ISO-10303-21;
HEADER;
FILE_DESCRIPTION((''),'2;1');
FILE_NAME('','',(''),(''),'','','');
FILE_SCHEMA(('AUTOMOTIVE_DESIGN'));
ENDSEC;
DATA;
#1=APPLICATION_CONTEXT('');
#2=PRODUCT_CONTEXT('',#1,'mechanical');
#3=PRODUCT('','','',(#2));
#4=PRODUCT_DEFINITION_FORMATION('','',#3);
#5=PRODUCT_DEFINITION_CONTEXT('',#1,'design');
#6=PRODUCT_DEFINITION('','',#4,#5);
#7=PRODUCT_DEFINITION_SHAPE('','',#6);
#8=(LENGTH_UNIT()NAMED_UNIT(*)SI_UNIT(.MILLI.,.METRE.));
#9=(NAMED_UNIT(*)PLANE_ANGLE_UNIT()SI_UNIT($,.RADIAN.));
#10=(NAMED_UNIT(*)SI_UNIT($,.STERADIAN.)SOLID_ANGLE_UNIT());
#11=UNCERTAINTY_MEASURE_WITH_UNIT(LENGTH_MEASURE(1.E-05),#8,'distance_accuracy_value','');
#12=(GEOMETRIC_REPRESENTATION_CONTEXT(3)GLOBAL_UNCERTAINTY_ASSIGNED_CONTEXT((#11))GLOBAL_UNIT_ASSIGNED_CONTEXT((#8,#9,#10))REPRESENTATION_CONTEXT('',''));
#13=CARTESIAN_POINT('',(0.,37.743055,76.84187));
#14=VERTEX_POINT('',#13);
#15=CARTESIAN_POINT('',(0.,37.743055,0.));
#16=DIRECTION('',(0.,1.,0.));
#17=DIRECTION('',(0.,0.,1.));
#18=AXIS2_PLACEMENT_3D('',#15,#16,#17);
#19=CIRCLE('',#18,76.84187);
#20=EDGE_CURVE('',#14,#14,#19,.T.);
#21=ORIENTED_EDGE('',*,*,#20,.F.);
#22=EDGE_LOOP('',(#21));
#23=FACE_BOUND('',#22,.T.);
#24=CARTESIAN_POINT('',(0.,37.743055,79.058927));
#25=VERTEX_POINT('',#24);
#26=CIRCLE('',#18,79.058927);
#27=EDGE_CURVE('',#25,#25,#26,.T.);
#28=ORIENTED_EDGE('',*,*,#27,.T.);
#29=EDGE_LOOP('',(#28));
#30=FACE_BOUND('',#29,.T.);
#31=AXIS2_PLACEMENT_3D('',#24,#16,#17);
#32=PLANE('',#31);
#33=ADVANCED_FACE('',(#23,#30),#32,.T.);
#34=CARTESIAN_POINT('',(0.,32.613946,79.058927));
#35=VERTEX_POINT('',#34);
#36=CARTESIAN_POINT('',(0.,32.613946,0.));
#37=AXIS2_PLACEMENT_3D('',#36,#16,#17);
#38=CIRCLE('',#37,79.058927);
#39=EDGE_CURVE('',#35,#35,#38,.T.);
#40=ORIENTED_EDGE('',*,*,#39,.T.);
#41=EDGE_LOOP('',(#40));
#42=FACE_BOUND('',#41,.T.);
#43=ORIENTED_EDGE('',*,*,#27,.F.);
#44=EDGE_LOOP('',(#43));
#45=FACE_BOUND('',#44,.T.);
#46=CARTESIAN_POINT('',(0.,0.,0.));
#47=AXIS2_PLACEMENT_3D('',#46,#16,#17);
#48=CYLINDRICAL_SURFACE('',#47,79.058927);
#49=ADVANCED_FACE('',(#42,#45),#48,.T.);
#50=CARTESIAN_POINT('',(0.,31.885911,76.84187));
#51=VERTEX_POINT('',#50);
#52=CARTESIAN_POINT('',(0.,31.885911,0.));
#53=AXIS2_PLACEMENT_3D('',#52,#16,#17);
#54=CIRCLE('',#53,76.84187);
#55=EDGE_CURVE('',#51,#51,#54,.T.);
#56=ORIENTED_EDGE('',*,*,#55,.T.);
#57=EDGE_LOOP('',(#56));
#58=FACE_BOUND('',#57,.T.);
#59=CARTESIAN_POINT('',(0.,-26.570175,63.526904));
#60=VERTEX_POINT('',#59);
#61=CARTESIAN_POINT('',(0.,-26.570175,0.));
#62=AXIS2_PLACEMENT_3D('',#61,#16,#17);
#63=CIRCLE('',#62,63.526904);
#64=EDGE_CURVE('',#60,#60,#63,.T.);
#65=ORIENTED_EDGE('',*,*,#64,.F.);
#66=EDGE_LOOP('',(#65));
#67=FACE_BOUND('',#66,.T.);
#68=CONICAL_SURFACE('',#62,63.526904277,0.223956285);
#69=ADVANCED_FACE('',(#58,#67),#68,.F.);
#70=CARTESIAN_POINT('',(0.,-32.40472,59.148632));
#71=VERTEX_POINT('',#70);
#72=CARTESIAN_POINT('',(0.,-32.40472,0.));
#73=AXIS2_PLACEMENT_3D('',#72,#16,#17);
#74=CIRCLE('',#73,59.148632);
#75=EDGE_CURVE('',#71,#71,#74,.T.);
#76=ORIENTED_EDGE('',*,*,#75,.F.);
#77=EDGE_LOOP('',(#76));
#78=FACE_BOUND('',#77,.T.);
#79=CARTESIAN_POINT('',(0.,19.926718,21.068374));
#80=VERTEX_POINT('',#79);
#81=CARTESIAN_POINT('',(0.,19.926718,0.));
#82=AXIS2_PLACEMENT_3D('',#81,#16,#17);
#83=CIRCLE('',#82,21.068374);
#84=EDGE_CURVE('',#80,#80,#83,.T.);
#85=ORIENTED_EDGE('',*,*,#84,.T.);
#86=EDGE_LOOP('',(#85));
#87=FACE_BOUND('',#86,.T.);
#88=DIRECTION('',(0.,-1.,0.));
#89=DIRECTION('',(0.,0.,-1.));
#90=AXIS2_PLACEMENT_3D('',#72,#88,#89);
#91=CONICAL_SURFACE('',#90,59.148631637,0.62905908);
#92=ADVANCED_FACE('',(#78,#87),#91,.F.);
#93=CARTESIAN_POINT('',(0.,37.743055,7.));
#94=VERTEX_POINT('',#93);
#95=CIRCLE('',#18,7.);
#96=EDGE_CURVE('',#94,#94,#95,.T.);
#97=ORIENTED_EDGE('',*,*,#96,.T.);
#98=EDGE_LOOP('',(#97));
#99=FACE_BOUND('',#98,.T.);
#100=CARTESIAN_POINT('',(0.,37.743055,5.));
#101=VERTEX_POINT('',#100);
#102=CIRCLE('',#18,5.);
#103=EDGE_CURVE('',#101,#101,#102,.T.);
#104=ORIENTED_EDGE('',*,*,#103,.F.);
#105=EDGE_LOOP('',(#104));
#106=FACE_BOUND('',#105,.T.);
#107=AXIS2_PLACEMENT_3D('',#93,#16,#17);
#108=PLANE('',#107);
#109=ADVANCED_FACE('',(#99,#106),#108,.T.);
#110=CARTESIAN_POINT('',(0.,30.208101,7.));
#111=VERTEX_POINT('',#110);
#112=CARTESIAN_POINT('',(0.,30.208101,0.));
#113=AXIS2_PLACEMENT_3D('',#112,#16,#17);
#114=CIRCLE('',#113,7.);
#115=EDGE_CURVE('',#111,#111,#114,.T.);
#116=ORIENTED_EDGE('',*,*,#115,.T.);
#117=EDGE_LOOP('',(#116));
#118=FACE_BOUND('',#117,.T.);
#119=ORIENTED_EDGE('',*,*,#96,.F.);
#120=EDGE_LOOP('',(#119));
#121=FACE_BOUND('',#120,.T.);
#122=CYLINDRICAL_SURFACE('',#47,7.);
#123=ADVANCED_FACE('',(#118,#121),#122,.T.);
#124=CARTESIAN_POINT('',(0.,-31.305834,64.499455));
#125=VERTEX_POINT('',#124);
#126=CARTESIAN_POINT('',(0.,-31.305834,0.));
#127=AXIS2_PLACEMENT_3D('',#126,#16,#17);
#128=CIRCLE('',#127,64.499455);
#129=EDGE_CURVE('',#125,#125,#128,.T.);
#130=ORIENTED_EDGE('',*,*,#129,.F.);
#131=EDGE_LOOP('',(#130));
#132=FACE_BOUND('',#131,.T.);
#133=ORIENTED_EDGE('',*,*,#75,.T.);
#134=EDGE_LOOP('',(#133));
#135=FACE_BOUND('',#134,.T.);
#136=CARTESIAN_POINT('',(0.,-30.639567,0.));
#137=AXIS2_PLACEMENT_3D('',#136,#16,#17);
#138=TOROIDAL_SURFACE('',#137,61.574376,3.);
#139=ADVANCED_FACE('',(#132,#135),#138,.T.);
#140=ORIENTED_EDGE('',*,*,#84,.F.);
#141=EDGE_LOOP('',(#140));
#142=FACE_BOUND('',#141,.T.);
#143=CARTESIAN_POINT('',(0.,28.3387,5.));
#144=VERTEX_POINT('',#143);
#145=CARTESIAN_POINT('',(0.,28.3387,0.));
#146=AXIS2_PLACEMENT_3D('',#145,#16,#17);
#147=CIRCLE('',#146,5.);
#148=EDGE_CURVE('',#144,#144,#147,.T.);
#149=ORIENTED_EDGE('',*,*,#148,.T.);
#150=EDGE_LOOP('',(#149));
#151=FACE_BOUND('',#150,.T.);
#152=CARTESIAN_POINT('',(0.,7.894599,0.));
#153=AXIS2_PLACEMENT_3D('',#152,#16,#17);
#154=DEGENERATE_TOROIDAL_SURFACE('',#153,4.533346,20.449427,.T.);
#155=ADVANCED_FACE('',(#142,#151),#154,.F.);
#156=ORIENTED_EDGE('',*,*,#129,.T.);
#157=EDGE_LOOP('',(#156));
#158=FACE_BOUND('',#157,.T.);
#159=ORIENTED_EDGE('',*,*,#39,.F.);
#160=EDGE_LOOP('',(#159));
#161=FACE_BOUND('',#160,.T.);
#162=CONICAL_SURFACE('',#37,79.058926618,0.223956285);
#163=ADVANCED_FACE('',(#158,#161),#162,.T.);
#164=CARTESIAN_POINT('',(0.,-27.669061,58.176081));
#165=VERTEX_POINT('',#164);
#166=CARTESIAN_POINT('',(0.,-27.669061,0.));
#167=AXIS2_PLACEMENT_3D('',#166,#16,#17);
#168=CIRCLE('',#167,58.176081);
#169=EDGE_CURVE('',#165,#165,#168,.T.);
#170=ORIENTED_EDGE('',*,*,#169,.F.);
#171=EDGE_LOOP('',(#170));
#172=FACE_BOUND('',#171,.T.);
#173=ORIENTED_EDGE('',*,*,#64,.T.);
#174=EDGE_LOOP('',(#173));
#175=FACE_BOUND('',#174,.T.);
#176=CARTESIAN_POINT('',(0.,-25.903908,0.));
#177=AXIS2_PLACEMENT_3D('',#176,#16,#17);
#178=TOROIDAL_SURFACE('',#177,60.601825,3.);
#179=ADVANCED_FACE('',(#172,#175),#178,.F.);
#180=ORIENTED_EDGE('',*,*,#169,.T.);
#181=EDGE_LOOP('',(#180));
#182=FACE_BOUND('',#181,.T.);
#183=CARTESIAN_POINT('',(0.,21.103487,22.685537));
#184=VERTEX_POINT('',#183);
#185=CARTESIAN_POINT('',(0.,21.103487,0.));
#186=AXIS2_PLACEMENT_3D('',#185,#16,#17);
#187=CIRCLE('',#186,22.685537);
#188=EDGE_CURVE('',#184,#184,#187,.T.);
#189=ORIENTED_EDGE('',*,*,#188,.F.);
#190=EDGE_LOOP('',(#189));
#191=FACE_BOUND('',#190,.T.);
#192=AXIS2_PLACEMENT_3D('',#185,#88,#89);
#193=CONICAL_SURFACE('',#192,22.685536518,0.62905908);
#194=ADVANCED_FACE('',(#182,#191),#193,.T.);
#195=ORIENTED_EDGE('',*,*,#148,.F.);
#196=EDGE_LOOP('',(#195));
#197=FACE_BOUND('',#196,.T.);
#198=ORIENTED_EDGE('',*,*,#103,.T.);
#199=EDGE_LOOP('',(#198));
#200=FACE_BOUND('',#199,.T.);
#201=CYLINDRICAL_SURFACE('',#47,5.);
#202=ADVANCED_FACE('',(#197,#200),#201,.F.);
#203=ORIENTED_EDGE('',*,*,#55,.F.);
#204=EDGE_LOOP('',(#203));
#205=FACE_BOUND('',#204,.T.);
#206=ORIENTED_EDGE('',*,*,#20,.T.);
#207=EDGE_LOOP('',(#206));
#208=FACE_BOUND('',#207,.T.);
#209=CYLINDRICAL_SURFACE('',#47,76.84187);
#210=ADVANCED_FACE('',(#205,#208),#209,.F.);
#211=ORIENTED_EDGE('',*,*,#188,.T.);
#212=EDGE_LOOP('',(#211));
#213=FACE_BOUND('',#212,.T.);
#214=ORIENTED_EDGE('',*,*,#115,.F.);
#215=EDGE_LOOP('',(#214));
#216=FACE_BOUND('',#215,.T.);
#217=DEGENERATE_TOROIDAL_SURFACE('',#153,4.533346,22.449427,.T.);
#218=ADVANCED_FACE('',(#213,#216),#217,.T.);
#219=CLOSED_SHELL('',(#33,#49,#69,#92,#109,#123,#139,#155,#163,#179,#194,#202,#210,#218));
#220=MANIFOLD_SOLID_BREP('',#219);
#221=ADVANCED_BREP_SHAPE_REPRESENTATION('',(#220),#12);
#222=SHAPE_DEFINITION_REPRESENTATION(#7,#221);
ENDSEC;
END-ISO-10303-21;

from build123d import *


with BuildPart() as part:
    # Sketch1 → Revolve7 (revolve)
    with BuildSketch(Plane(origin=(0, 0, 0), x_dir=(0, 0, -1), z_dir=(1, 0, 0))):
        with BuildLine():
            Line((-59.148631637, -32.404719831), (-21.068373541, 19.926718309))
            ThreePointArc((-21.068373541, 19.926718309), (-14.017788653, 26.011562826), (-5, 28.338700093))
            Line((-5, 28.338700093), (-5, 37.743055381))
            Line((-5, 37.743055381), (-7, 37.743055381))
            Line((-7, 37.743055381), (-7, 30.208100681))
            ThreePointArc((-7, 30.208100681), (-15.803114649, 27.310289813), (-22.685536518, 21.103486724))
            Line((-22.685536518, 21.103486724), (-58.176080505, -27.669061048))
            ThreePointArc((-58.176080505, -27.669061048), (-61.205332633, -28.842577937), (-63.526904277, -26.570174926))
            Line((-63.526904277, -26.570174926), (-76.841870349, 31.885910778))
            Line((-76.841870349, 31.885910778), (-76.841870349, 37.743055381))
            Line((-76.841870349, 37.743055381), (-79.058926618, 37.743055381))
            Line((-79.058926618, 37.743055381), (-79.058926618, 32.613945898))
            Line((-79.058926618, 32.613945898), (-64.499455409, -31.305833709))
            ThreePointArc((-64.499455409, -31.305833709), (-62.177883765, -33.578236719), (-59.148631637, -32.404719831))
        make_face()
    revolve(axis=Axis((0, 0, 0), (0, -1, 0)))


solid = part.part
